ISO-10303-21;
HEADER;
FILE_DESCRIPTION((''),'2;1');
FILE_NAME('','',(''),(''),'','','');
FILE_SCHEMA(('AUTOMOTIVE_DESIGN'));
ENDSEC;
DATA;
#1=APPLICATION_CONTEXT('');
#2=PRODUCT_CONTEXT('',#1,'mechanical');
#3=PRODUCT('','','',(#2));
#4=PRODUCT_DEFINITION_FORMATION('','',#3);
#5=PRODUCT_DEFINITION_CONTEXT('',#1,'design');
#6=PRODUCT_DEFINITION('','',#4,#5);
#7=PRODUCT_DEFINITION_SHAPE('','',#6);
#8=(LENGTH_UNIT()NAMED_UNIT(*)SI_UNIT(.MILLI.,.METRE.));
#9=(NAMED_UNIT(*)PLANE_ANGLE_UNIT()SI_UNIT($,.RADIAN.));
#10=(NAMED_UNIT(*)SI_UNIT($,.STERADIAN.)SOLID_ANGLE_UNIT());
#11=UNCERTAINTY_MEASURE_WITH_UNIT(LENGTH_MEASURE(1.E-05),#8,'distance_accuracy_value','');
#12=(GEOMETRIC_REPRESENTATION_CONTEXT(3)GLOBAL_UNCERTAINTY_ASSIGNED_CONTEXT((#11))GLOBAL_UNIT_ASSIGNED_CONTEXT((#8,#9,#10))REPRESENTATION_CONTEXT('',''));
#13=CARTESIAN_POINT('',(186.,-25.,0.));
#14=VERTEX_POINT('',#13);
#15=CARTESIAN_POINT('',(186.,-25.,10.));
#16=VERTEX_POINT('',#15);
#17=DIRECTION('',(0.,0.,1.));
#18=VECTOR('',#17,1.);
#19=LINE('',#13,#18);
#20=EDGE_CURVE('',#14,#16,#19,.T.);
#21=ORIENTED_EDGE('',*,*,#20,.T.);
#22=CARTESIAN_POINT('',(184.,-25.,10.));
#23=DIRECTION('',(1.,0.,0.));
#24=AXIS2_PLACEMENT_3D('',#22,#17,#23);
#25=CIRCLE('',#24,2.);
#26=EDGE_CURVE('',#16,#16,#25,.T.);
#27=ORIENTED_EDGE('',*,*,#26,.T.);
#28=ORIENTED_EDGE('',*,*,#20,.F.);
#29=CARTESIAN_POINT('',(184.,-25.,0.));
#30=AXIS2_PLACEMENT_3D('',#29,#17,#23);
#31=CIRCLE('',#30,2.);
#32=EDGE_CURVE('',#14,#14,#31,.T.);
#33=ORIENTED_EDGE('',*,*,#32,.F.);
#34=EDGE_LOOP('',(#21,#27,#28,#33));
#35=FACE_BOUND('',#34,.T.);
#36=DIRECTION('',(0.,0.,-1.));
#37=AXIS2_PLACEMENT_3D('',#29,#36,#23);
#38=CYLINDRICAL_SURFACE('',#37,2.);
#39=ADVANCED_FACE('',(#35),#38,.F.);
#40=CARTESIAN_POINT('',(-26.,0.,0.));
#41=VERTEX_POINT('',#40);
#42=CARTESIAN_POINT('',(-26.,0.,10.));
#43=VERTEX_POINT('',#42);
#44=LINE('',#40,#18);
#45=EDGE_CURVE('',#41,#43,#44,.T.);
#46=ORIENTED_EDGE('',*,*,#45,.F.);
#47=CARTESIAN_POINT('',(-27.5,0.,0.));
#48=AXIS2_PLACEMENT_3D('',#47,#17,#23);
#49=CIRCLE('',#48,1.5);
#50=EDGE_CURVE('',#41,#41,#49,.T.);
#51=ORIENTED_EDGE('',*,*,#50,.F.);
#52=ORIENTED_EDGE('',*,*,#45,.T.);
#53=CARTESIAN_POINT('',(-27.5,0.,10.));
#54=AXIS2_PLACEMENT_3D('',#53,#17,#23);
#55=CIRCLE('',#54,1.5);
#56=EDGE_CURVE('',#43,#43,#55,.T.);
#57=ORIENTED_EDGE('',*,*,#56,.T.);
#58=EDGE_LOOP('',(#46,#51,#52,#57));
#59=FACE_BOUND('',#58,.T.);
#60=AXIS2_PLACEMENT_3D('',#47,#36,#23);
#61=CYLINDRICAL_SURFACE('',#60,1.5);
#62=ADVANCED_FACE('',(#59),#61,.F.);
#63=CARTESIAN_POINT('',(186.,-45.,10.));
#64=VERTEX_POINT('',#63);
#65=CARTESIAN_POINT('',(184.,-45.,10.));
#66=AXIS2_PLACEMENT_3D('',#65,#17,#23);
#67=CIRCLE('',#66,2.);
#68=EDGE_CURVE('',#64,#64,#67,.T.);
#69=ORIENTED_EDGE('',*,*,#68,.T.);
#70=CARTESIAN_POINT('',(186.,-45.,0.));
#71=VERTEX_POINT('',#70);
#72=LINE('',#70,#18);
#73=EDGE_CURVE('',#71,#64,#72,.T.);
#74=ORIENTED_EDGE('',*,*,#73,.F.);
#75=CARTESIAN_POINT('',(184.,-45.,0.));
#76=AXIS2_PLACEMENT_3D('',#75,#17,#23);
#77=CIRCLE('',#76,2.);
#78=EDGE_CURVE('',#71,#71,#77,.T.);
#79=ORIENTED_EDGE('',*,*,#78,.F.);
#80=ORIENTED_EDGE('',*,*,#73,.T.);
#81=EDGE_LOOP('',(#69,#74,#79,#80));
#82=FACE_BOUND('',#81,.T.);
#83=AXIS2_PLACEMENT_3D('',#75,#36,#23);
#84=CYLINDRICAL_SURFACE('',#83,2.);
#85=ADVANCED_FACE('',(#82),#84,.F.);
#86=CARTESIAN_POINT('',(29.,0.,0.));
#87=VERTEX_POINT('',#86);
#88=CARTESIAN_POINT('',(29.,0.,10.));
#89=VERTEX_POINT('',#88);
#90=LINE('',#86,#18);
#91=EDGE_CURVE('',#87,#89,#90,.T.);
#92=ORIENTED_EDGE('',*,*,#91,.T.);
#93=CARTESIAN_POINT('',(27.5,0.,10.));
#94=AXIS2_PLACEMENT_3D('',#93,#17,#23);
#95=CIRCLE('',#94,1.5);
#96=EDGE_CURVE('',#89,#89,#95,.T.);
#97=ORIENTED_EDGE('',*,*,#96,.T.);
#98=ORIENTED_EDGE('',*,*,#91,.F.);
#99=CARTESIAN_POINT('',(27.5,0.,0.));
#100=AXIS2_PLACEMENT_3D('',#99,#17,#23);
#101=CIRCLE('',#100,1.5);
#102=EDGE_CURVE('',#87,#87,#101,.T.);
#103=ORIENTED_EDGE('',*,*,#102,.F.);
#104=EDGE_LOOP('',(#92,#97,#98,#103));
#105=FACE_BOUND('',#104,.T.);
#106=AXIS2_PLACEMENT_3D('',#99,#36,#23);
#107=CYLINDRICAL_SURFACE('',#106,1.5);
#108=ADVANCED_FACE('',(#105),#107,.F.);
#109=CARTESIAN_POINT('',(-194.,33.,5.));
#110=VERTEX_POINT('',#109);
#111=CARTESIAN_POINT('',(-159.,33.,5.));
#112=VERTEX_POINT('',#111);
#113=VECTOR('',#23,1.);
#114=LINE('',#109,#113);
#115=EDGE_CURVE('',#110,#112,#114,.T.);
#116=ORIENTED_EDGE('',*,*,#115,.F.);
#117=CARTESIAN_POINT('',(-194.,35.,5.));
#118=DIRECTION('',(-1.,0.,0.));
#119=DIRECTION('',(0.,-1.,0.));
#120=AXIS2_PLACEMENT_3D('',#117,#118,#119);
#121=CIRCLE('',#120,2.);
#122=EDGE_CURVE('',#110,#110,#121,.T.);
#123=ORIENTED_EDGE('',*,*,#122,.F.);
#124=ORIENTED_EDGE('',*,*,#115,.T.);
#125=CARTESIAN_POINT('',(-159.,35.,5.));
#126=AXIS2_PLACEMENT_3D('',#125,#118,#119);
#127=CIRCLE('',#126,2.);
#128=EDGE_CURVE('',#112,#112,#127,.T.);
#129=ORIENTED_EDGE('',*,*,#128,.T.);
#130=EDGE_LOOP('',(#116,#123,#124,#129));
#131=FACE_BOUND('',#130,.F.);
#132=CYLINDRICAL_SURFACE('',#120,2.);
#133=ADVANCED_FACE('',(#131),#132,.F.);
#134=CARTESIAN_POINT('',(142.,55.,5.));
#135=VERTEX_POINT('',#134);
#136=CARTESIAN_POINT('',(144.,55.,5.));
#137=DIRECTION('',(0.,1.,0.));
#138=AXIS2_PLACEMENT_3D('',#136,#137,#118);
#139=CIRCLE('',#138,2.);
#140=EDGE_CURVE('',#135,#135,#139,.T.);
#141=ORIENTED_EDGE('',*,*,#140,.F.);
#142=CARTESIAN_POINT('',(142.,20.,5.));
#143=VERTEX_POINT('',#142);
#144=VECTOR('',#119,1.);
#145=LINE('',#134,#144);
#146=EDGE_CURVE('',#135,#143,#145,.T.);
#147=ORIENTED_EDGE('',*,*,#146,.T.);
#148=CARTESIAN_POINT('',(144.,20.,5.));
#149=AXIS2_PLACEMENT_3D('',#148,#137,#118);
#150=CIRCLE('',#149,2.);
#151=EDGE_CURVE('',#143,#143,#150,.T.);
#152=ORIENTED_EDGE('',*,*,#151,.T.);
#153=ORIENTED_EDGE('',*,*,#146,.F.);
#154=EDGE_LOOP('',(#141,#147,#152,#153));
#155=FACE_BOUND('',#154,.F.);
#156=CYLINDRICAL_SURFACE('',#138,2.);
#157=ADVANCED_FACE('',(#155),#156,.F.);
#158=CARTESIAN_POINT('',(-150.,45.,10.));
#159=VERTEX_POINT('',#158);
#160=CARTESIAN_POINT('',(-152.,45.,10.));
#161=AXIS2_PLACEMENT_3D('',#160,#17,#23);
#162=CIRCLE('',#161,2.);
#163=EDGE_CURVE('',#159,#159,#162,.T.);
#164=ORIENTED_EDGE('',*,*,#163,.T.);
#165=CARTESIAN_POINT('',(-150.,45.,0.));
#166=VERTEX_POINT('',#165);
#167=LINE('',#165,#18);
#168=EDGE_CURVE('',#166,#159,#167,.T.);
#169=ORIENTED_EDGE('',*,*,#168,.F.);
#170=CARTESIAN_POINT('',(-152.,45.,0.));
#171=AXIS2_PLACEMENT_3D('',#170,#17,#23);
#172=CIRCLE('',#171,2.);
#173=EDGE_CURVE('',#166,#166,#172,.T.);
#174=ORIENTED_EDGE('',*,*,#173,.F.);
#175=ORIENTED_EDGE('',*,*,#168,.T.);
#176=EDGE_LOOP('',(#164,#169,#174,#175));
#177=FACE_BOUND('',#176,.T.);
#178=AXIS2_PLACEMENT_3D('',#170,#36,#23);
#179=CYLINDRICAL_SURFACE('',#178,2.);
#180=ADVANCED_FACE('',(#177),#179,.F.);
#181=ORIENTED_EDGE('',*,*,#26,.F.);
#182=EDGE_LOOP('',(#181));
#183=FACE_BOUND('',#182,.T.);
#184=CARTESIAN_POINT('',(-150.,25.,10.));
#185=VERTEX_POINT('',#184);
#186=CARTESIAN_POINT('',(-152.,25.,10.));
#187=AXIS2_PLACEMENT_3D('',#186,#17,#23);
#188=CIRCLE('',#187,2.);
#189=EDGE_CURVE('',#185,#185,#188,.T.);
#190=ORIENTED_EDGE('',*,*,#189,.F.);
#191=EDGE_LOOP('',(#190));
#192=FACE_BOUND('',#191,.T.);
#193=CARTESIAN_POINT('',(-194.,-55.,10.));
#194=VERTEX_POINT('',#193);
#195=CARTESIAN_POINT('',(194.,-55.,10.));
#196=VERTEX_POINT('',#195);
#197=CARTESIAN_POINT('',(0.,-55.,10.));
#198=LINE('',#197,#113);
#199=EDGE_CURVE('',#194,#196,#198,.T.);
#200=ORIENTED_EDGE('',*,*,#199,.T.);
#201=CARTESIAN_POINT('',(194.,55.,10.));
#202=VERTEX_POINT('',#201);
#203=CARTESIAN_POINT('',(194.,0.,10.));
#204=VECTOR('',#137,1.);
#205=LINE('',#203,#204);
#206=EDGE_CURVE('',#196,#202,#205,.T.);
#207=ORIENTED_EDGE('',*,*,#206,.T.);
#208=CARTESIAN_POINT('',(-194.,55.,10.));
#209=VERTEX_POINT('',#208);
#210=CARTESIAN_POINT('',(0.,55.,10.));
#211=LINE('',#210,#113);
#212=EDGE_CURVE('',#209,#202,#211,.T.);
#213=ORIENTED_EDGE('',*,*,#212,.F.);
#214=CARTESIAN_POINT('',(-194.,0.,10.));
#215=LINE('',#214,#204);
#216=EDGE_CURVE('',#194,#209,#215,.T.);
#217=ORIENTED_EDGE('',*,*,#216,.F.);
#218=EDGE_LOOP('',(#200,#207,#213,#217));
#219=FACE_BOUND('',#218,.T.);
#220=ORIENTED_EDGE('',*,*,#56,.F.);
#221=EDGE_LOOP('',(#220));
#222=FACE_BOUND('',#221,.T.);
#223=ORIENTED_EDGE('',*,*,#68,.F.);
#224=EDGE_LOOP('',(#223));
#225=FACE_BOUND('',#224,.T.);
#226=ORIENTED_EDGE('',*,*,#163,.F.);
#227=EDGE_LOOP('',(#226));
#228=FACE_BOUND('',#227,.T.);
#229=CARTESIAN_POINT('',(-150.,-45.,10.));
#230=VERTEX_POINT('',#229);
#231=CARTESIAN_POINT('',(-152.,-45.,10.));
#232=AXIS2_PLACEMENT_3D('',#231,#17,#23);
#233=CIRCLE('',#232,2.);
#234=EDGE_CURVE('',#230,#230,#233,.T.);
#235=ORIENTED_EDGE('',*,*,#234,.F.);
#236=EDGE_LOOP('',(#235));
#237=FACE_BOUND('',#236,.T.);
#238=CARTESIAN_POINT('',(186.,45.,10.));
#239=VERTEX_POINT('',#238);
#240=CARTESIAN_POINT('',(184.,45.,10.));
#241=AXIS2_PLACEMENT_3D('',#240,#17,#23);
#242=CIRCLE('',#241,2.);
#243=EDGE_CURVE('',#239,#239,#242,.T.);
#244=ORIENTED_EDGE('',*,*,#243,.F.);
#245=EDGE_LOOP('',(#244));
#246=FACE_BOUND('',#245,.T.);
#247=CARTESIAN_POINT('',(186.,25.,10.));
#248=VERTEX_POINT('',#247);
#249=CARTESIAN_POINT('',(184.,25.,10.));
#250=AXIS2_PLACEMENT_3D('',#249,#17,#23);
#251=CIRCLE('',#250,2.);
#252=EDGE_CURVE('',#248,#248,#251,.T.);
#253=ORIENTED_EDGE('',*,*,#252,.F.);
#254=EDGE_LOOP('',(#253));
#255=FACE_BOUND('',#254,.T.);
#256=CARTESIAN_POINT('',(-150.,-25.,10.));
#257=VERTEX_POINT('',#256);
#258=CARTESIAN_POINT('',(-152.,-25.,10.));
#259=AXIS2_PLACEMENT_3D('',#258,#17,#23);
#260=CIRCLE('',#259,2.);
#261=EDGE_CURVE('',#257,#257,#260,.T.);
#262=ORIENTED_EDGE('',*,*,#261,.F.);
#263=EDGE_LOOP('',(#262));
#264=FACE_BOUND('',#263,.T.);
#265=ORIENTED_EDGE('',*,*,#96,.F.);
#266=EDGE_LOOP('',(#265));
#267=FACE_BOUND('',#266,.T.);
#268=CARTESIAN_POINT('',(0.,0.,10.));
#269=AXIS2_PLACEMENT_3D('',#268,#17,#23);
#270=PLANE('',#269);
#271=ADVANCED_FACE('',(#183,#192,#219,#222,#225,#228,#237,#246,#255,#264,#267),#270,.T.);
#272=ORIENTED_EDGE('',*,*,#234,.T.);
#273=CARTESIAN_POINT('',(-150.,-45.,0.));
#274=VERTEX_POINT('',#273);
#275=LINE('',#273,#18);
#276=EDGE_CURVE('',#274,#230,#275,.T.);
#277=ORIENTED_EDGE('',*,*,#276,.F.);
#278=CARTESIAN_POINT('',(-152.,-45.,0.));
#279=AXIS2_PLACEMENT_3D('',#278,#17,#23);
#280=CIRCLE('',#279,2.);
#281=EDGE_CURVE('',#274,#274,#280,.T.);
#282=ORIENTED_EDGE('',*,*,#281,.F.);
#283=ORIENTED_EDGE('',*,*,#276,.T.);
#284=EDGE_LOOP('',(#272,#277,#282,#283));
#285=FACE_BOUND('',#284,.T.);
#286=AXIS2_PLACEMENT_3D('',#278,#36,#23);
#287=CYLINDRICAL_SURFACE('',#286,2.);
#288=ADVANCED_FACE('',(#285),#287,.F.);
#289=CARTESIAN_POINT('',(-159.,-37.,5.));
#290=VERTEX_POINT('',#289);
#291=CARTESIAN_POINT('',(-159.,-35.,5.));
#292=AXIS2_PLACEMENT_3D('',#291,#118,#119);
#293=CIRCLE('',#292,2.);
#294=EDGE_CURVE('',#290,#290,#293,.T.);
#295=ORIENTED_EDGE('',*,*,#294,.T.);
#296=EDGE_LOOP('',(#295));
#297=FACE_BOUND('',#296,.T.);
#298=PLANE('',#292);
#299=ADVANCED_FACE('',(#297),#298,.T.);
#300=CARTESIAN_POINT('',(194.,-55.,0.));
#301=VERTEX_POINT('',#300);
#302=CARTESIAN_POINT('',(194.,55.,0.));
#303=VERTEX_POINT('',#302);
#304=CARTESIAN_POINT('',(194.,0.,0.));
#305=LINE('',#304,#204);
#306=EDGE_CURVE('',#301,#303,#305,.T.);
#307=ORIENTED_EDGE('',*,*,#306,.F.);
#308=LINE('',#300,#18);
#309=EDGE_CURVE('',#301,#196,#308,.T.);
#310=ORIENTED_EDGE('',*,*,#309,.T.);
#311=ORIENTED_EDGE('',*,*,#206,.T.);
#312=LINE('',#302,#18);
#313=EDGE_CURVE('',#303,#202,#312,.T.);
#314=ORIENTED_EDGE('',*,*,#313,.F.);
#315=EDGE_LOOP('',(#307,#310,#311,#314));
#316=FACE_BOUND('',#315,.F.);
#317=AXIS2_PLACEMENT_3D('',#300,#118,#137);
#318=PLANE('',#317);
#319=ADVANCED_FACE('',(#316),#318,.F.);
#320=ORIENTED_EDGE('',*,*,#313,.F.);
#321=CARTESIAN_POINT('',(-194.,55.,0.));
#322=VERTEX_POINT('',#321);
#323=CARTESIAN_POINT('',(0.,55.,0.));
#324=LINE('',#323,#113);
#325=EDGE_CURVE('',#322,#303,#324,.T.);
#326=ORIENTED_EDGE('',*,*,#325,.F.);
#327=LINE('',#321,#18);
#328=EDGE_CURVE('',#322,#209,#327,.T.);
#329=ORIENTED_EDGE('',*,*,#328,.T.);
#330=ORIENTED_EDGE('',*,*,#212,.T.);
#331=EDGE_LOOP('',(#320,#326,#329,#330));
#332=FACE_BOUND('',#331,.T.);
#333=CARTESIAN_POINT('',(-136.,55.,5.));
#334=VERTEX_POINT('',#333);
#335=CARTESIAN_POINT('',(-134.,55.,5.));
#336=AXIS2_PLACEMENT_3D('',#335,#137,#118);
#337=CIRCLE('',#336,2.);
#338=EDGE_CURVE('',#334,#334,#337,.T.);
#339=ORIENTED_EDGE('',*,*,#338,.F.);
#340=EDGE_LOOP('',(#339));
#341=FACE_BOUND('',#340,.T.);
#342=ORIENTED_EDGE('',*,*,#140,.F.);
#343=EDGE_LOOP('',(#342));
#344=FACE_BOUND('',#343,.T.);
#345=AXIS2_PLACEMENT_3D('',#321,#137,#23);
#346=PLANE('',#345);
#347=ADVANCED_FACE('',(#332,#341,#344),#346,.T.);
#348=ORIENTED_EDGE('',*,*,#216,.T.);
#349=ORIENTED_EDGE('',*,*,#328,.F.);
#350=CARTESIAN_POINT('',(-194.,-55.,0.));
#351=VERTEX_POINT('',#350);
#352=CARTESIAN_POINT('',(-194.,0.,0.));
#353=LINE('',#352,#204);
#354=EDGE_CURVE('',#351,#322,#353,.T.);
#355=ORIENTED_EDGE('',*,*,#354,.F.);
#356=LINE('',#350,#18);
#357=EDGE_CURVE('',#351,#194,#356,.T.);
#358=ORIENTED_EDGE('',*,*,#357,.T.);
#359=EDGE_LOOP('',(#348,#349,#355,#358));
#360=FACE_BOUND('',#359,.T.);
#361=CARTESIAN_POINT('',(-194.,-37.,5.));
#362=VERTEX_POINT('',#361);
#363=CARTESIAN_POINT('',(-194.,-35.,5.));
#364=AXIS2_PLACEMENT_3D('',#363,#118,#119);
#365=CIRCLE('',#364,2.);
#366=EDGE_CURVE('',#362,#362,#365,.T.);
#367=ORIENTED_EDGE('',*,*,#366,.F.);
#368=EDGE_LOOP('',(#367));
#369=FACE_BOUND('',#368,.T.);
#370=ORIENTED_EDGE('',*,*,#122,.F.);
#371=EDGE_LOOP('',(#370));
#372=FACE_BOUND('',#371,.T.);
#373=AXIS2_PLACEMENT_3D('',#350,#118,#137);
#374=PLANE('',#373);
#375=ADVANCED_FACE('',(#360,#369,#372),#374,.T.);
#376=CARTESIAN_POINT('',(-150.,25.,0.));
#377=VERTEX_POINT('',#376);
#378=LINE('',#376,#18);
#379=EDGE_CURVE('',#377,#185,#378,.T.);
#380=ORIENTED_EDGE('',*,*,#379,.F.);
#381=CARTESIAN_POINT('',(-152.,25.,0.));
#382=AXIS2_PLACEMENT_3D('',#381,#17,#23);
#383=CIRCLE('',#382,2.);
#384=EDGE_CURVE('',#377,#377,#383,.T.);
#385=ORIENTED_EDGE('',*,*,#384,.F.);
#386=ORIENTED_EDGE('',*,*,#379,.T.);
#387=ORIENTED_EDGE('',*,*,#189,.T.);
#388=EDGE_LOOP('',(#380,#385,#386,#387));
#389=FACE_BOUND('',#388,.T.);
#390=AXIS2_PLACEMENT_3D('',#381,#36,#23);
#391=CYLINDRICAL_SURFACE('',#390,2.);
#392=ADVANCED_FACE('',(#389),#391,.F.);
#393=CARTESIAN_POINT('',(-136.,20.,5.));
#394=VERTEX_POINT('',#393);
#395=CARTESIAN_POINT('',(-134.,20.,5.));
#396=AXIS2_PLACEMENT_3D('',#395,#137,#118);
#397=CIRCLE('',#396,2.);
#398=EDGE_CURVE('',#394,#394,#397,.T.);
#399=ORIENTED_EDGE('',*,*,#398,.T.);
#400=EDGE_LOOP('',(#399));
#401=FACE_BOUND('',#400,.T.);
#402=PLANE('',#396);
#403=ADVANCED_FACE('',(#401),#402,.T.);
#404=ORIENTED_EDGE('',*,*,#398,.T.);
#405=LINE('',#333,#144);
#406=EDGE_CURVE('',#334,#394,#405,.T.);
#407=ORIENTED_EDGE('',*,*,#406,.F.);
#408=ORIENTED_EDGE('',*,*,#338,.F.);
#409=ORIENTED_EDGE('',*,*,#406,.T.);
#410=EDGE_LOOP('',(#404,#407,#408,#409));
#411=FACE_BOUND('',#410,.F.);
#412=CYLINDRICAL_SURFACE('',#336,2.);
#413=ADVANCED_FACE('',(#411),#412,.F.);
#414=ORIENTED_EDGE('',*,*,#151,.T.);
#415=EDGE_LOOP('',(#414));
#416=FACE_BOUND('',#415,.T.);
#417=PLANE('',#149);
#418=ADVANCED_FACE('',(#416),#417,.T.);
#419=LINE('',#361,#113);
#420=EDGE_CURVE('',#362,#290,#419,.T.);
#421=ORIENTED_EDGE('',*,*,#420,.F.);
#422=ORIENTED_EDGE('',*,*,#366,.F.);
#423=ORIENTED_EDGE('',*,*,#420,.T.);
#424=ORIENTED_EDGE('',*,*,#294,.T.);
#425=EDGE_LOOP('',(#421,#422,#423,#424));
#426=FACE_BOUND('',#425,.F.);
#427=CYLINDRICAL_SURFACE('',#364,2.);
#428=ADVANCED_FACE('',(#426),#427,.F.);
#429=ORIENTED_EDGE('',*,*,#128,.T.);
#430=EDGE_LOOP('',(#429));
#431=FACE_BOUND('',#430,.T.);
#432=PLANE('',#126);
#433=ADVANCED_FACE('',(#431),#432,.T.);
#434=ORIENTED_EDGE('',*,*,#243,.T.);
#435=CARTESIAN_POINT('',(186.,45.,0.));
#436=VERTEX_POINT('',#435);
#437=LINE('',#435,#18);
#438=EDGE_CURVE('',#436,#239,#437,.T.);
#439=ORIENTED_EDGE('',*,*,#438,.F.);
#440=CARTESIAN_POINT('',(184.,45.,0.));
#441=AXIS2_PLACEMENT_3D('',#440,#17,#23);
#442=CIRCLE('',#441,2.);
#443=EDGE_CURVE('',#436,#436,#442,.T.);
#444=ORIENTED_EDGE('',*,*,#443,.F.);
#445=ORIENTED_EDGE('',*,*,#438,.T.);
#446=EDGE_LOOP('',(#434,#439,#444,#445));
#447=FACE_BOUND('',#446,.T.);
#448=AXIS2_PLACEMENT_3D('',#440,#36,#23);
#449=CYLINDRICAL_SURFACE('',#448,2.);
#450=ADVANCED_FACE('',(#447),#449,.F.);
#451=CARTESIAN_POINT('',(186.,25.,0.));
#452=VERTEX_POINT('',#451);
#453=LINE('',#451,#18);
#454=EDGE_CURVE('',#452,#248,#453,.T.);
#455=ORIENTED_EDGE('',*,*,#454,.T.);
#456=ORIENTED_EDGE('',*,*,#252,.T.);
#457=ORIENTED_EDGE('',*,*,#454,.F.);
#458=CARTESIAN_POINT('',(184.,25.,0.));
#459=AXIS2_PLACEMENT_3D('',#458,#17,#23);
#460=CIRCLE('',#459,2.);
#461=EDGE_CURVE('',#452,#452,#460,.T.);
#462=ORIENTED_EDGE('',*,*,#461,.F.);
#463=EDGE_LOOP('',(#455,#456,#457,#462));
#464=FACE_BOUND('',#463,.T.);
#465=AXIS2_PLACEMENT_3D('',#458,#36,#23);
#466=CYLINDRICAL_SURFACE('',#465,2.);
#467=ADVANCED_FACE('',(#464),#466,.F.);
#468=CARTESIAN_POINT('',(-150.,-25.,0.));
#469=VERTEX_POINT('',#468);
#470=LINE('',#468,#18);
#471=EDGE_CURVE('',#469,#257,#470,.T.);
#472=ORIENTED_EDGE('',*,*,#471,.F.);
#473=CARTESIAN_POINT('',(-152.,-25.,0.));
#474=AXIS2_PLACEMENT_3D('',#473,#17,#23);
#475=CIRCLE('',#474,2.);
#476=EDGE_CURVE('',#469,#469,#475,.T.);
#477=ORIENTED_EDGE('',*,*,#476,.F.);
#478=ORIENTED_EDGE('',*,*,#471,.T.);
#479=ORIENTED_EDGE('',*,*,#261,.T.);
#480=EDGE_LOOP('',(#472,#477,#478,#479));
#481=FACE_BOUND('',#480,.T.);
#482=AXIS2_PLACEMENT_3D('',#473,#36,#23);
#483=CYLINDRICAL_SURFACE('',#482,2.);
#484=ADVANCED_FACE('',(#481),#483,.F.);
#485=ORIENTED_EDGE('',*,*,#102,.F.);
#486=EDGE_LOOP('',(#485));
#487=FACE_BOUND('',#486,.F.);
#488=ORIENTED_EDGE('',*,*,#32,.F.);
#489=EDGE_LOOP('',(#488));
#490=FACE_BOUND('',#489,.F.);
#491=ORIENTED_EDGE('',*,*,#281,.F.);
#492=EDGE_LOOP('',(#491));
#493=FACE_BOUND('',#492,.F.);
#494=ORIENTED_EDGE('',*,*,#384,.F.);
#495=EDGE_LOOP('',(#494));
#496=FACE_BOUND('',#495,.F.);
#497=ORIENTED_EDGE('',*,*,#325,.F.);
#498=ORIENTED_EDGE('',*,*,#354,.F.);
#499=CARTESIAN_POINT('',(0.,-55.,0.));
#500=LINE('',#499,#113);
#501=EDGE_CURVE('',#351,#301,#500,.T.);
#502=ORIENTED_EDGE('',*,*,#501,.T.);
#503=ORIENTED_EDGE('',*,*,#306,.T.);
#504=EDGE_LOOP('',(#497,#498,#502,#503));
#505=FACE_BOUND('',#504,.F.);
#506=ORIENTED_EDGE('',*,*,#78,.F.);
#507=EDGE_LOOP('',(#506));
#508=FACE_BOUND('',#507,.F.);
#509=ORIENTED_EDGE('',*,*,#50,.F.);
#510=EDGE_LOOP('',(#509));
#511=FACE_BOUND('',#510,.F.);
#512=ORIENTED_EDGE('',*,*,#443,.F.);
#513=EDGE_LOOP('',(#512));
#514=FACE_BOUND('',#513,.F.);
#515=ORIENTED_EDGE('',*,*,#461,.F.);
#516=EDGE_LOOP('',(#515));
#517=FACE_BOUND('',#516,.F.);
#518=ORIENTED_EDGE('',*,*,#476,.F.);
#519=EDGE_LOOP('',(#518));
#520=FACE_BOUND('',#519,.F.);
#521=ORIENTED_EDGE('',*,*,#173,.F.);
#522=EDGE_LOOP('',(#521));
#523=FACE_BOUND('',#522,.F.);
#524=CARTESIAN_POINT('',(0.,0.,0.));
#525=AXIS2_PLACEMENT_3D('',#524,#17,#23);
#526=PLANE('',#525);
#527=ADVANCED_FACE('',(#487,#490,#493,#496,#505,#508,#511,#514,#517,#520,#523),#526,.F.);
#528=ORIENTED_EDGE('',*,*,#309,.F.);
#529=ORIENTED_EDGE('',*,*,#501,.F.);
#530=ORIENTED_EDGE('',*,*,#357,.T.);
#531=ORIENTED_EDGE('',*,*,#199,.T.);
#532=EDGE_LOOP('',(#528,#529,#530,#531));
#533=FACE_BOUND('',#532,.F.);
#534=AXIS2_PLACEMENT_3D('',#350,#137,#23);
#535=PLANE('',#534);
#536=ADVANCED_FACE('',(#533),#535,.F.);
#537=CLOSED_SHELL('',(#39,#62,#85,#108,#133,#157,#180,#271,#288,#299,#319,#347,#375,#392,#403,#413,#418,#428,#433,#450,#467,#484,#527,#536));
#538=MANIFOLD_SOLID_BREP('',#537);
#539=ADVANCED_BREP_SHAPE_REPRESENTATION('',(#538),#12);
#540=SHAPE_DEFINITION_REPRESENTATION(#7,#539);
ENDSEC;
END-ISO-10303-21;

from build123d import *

# Parameters (mm, degrees)
F0_W     = 388
F0_H     = 110
F0_R     = 2
F0_R_2   = 1.5
F1_DEPTH = 10
F2_R     = 2
F3_DEPTH = 35
F4_R     = 2
F5_DEPTH = 35


with BuildPart() as f1:
    # F0 (on Top) → F1 (new body)
    with BuildSketch(Plane.XY):
        Rectangle(F0_W, F0_H)
        with Locations((-152, -45)):
            Circle(F0_R, mode=Mode.SUBTRACT)
        with Locations((-152, -25)):
            Circle(F0_R, mode=Mode.SUBTRACT)
        with Locations((184, -45)):
            Circle(F0_R, mode=Mode.SUBTRACT)
        with Locations((184, -25)):
            Circle(F0_R, mode=Mode.SUBTRACT)
        with Locations((-152, 25)):
            Circle(F0_R, mode=Mode.SUBTRACT)
        with Locations((-27.5, 0)):
            Circle(F0_R_2, mode=Mode.SUBTRACT)
        with Locations((-152, 45)):
            Circle(F0_R, mode=Mode.SUBTRACT)
        with Locations((27.5, 0)):
            Circle(F0_R_2, mode=Mode.SUBTRACT)
        with Locations((184, 25)):
            Circle(F0_R, mode=Mode.SUBTRACT)
        with Locations((184, 45)):
            Circle(F0_R, mode=Mode.SUBTRACT)
    extrude(amount=F1_DEPTH)

    # F2 (on face) → F3 (cut)
    with BuildSketch(Plane(origin=(0, 55, 0), x_dir=(-1, 0, 0), z_dir=(0, 1, 0))):
        with Locations((-144, 5)):
            Circle(F2_R)
        with Locations((134, 5)):
            Circle(F2_R)
    extrude(amount=-F3_DEPTH, mode=Mode.SUBTRACT)

    # F4 (on face) → F5 (cut)
    with BuildSketch(Plane(origin=(-194, 0, 0), x_dir=(0, -1, 0), z_dir=(-1, 0, 0))):
        with Locations((-35, 5)):
            Circle(F4_R)
        with Locations((35, 5)):
            Circle(F4_R)
    extrude(amount=-F5_DEPTH, mode=Mode.SUBTRACT)


solid = f1.part
